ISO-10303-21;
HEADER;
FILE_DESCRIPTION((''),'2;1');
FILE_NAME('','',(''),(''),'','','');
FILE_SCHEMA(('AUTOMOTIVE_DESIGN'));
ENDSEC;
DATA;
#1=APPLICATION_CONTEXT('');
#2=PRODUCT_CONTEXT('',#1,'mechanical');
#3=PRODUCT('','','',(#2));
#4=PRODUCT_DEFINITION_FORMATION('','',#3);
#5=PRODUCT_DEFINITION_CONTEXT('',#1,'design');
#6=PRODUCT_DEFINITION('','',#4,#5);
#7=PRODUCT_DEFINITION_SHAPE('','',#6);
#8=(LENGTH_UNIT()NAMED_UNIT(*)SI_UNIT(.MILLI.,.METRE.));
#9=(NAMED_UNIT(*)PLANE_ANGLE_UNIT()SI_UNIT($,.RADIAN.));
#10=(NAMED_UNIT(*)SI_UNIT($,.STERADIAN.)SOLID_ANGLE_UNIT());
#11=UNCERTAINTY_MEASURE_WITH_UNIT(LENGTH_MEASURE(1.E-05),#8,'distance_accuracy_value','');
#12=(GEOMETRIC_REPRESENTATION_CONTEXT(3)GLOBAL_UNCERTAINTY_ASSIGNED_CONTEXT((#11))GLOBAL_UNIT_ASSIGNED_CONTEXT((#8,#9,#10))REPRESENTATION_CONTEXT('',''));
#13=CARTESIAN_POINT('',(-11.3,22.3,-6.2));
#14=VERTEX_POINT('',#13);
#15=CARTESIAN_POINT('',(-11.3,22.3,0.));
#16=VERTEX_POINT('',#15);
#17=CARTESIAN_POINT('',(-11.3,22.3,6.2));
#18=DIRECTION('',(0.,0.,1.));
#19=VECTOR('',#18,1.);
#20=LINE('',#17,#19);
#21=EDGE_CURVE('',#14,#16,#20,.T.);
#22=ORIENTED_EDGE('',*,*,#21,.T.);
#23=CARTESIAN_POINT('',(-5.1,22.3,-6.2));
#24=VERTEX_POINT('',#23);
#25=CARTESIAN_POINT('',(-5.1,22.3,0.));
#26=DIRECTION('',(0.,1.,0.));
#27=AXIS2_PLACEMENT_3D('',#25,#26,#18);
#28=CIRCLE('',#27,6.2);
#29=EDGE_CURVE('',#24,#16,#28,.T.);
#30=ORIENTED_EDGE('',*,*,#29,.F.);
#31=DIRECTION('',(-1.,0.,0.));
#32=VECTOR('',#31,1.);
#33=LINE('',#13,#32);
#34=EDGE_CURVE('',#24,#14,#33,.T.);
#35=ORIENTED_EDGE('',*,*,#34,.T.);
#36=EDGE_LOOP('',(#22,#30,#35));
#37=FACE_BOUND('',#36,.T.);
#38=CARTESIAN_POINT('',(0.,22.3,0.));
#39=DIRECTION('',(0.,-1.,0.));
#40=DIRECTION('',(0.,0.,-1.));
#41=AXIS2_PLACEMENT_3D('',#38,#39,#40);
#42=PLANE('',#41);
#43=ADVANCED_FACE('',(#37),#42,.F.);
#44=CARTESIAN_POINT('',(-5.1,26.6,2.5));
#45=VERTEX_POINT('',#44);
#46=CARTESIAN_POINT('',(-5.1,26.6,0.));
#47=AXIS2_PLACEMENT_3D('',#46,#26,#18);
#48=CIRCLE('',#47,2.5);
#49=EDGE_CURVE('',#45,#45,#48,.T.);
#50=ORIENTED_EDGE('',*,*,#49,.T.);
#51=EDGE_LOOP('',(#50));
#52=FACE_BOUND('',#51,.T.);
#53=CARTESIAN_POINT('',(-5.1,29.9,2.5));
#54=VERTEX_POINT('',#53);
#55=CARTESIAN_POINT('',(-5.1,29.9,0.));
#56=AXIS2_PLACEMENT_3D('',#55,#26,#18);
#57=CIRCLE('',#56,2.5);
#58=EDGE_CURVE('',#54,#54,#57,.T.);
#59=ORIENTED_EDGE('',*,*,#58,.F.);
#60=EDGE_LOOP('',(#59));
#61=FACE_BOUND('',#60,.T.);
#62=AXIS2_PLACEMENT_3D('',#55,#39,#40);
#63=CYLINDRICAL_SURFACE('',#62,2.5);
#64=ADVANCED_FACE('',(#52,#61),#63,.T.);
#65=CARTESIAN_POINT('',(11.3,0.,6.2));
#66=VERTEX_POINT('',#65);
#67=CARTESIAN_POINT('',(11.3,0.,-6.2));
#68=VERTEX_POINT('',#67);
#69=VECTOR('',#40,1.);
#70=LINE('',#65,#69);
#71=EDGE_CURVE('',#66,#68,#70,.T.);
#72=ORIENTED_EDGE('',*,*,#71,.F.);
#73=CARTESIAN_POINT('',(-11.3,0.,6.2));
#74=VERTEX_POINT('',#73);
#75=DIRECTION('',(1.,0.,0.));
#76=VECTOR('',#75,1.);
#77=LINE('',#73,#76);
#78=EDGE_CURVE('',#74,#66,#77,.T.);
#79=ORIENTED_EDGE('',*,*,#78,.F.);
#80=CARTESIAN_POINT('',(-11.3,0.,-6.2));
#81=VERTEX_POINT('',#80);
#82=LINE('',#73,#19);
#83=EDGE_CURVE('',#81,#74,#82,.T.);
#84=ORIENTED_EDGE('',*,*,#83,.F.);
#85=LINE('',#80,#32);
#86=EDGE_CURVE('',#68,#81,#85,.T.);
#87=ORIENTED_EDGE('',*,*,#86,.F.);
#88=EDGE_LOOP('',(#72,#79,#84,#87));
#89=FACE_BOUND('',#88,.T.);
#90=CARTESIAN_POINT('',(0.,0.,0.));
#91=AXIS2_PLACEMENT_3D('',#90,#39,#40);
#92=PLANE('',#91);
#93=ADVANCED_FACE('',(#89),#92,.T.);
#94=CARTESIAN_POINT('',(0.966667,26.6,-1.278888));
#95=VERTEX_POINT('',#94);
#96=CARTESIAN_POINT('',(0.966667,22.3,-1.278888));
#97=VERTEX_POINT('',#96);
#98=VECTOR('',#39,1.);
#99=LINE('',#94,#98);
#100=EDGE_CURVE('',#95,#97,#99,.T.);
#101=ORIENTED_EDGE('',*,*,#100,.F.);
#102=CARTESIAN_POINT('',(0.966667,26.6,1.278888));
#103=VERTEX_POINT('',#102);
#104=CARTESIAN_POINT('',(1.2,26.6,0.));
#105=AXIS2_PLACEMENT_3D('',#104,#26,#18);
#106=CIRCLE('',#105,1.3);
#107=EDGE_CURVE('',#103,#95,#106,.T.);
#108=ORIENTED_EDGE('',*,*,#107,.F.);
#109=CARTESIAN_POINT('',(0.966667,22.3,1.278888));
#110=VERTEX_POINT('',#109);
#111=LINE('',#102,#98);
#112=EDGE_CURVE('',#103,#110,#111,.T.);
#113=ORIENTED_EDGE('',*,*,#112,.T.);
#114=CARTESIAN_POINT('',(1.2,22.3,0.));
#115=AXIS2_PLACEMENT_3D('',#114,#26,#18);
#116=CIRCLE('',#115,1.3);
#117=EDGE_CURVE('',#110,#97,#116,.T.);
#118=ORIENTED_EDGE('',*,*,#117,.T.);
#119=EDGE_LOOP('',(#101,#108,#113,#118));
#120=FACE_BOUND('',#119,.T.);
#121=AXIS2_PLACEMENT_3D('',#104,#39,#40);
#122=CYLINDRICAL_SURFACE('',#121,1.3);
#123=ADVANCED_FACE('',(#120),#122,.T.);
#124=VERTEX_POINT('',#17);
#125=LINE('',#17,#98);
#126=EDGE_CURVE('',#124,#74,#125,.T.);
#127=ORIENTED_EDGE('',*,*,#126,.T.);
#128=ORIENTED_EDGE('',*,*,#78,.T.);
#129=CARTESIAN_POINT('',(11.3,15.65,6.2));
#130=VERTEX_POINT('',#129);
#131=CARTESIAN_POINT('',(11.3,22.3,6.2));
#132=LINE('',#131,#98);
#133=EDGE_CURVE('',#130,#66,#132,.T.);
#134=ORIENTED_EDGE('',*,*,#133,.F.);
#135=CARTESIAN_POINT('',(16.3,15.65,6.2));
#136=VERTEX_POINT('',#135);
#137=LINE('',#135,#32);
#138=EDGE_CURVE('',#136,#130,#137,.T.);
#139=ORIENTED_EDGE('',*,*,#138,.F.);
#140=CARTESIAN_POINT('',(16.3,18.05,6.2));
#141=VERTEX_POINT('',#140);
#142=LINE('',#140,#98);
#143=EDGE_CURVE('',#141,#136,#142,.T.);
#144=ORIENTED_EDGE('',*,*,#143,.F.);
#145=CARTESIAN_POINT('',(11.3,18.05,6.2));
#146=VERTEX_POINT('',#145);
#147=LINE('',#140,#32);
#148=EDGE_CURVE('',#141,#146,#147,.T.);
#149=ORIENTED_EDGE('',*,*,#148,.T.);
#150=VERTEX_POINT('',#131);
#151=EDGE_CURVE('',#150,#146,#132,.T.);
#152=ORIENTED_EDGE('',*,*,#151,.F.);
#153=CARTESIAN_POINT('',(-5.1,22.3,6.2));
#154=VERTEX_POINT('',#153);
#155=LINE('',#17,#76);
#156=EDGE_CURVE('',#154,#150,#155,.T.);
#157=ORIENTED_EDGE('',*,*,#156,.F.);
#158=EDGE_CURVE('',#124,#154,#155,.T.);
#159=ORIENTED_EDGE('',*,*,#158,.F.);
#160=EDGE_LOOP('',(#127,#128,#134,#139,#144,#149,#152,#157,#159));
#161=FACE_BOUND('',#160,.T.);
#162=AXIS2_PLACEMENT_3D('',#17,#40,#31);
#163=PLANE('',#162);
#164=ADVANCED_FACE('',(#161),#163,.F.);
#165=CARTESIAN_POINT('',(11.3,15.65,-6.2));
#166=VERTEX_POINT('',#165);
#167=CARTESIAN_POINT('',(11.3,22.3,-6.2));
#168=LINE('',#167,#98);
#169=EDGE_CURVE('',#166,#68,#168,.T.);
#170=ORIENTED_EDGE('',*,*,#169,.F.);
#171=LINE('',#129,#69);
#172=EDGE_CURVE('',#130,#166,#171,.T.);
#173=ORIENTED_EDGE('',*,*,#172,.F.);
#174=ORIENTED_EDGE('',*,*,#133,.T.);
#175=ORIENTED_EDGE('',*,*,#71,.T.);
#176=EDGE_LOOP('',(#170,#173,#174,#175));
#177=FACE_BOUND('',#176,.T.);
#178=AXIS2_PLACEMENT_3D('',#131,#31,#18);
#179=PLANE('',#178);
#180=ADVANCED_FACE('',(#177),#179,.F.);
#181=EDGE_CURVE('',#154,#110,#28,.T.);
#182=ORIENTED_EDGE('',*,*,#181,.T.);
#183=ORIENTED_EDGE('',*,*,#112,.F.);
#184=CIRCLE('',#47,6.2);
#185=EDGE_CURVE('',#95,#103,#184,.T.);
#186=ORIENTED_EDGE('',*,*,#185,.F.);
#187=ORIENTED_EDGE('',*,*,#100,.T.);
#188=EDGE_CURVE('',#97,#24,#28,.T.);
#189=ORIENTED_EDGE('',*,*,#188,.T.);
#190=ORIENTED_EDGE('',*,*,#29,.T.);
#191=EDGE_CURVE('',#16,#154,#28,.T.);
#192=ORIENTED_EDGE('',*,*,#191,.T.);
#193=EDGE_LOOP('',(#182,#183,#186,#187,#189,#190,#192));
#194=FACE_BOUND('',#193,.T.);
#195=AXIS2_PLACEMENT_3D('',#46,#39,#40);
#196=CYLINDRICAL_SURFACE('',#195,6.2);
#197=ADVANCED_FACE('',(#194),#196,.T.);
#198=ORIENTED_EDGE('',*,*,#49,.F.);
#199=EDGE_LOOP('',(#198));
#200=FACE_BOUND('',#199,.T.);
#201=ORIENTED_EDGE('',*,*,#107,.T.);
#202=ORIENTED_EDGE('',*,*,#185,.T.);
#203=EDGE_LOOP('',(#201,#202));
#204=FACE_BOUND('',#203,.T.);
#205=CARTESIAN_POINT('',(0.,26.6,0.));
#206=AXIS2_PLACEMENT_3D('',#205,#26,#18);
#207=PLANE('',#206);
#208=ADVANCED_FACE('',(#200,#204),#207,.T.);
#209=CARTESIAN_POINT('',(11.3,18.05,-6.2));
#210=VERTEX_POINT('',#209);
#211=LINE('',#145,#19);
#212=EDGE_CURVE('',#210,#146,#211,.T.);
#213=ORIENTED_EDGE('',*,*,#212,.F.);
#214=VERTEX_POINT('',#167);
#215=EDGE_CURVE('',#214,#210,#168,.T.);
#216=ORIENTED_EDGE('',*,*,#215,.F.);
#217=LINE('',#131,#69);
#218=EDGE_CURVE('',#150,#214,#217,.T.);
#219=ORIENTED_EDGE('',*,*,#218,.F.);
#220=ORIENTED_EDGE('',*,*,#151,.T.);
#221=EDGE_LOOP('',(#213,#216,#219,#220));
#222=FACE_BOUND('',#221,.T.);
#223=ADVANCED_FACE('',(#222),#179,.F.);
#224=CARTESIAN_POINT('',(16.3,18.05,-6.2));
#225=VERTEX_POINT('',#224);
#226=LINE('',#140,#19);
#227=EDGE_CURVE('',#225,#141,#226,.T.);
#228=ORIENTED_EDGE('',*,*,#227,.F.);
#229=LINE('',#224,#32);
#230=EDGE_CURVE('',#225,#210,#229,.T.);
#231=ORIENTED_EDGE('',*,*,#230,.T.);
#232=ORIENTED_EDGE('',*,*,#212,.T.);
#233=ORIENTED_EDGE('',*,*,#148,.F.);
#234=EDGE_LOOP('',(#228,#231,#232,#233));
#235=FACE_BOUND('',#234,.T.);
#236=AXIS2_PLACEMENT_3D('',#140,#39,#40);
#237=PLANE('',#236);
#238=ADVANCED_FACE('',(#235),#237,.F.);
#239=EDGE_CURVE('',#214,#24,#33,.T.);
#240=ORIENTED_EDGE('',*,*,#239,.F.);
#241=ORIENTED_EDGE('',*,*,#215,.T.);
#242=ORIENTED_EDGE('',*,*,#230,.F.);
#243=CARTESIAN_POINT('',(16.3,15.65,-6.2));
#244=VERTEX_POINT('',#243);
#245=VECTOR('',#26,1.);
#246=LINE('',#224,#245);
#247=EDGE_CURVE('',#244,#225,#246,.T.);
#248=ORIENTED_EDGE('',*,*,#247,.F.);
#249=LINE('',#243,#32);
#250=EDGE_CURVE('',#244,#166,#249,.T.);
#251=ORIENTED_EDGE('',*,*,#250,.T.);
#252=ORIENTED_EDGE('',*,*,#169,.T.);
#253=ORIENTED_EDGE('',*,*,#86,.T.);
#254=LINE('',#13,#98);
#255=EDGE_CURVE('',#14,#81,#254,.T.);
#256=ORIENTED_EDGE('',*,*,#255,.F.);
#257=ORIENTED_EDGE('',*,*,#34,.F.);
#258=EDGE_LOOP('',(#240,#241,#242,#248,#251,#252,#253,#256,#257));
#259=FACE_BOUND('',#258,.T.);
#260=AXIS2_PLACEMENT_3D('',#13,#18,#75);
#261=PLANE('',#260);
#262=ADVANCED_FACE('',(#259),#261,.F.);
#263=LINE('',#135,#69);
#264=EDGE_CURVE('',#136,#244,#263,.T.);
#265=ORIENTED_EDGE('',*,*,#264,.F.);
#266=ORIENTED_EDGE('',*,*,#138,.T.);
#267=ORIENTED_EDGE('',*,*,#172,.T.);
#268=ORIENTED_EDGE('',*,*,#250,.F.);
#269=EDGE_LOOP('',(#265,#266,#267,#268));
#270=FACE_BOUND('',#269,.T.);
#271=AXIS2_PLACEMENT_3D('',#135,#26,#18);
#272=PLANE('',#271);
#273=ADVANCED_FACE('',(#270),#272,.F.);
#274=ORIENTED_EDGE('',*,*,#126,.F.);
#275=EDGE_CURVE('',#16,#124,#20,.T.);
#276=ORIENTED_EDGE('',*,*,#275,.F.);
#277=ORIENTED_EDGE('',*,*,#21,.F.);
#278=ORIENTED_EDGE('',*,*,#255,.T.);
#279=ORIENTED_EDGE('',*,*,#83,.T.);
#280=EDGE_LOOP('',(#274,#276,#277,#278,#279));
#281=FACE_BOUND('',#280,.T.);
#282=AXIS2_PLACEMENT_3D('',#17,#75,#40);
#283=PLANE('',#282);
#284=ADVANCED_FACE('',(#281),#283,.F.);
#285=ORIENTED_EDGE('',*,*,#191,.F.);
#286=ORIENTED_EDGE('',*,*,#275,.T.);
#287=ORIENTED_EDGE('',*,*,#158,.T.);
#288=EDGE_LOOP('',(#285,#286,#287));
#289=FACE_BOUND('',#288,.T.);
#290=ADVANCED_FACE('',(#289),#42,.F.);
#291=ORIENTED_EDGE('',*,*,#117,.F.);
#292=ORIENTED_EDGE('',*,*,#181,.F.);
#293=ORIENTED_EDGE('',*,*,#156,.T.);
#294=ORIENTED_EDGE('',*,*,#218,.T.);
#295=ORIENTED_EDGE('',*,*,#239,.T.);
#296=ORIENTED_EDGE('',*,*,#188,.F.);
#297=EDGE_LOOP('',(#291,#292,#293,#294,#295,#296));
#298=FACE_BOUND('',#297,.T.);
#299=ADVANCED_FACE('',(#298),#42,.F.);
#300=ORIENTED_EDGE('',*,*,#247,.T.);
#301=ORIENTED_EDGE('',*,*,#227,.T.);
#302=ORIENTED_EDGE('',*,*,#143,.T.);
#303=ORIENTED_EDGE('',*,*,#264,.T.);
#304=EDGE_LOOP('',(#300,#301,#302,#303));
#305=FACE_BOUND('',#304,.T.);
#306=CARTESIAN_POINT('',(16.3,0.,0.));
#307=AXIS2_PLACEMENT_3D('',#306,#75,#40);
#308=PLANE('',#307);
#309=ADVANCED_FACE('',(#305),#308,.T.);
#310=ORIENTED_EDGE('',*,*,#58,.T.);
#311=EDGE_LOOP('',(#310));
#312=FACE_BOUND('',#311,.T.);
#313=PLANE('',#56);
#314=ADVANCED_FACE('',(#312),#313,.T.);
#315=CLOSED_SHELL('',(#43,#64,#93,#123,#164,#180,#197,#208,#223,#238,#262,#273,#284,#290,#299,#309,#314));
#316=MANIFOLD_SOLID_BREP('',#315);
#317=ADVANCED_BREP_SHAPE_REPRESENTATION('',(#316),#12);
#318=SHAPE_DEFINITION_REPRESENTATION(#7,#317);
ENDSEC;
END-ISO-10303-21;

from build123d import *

# Parameters (mm, degrees)
SKETCH1_W           = 22.6
SKETCH1_H           = 12.4
BOSS_EXTRUDE1_DEPTH = 22.3
SKETCH2_W           = 12.4
SKETCH2_H           = 2.4
BOSS_EXTRUDE2_DEPTH = 5
BOSS_EXTRUDE4_DEPTH = 4.3
SKETCH7_R           = 2.5
BOSS_EXTRUDE5_DEPTH = 3.3


with BuildPart() as part:
    # Sketch1 → Boss-Extrude1 (new body)
    with BuildSketch(Plane(origin=(0, 0, 0), x_dir=(1, 0, 0), z_dir=(0, 1, 0))):
        Rectangle(SKETCH1_W, SKETCH1_H)
    extrude(amount=BOSS_EXTRUDE1_DEPTH)

    # Sketch2 → Boss-Extrude2 (add)
    with BuildSketch(Plane(origin=(11.3, 0, 0), x_dir=(0, 0, -1), z_dir=(1, 0, 0))):
        with Locations((0, 16.85)):
            Rectangle(SKETCH2_W, SKETCH2_H)
    extrude(amount=BOSS_EXTRUDE2_DEPTH)

    # Sketch6 → Boss-Extrude4 (add)
    with BuildSketch(Plane(origin=(0, 22.3, 0), x_dir=(1, 0, 0), z_dir=(0, 1, 0))):
        with BuildLine():
            ThreePointArc((0.966666667, -1.278888406), (2.5, 0), (0.966666667, 1.278888406))
            ThreePointArc((0.966666667, 1.278888406), (-11.3, 0), (0.966666667, -1.278888406))
        make_face()
    extrude(amount=BOSS_EXTRUDE4_DEPTH)

    # Sketch7 → Boss-Extrude5 (add)
    with BuildSketch(Plane(origin=(0, 26.6, 0), x_dir=(1, 0, 0), z_dir=(0, 1, 0))):
        with Locations((-5.1, 0)):
            Circle(SKETCH7_R)
    extrude(amount=BOSS_EXTRUDE5_DEPTH)


solid = part.part
